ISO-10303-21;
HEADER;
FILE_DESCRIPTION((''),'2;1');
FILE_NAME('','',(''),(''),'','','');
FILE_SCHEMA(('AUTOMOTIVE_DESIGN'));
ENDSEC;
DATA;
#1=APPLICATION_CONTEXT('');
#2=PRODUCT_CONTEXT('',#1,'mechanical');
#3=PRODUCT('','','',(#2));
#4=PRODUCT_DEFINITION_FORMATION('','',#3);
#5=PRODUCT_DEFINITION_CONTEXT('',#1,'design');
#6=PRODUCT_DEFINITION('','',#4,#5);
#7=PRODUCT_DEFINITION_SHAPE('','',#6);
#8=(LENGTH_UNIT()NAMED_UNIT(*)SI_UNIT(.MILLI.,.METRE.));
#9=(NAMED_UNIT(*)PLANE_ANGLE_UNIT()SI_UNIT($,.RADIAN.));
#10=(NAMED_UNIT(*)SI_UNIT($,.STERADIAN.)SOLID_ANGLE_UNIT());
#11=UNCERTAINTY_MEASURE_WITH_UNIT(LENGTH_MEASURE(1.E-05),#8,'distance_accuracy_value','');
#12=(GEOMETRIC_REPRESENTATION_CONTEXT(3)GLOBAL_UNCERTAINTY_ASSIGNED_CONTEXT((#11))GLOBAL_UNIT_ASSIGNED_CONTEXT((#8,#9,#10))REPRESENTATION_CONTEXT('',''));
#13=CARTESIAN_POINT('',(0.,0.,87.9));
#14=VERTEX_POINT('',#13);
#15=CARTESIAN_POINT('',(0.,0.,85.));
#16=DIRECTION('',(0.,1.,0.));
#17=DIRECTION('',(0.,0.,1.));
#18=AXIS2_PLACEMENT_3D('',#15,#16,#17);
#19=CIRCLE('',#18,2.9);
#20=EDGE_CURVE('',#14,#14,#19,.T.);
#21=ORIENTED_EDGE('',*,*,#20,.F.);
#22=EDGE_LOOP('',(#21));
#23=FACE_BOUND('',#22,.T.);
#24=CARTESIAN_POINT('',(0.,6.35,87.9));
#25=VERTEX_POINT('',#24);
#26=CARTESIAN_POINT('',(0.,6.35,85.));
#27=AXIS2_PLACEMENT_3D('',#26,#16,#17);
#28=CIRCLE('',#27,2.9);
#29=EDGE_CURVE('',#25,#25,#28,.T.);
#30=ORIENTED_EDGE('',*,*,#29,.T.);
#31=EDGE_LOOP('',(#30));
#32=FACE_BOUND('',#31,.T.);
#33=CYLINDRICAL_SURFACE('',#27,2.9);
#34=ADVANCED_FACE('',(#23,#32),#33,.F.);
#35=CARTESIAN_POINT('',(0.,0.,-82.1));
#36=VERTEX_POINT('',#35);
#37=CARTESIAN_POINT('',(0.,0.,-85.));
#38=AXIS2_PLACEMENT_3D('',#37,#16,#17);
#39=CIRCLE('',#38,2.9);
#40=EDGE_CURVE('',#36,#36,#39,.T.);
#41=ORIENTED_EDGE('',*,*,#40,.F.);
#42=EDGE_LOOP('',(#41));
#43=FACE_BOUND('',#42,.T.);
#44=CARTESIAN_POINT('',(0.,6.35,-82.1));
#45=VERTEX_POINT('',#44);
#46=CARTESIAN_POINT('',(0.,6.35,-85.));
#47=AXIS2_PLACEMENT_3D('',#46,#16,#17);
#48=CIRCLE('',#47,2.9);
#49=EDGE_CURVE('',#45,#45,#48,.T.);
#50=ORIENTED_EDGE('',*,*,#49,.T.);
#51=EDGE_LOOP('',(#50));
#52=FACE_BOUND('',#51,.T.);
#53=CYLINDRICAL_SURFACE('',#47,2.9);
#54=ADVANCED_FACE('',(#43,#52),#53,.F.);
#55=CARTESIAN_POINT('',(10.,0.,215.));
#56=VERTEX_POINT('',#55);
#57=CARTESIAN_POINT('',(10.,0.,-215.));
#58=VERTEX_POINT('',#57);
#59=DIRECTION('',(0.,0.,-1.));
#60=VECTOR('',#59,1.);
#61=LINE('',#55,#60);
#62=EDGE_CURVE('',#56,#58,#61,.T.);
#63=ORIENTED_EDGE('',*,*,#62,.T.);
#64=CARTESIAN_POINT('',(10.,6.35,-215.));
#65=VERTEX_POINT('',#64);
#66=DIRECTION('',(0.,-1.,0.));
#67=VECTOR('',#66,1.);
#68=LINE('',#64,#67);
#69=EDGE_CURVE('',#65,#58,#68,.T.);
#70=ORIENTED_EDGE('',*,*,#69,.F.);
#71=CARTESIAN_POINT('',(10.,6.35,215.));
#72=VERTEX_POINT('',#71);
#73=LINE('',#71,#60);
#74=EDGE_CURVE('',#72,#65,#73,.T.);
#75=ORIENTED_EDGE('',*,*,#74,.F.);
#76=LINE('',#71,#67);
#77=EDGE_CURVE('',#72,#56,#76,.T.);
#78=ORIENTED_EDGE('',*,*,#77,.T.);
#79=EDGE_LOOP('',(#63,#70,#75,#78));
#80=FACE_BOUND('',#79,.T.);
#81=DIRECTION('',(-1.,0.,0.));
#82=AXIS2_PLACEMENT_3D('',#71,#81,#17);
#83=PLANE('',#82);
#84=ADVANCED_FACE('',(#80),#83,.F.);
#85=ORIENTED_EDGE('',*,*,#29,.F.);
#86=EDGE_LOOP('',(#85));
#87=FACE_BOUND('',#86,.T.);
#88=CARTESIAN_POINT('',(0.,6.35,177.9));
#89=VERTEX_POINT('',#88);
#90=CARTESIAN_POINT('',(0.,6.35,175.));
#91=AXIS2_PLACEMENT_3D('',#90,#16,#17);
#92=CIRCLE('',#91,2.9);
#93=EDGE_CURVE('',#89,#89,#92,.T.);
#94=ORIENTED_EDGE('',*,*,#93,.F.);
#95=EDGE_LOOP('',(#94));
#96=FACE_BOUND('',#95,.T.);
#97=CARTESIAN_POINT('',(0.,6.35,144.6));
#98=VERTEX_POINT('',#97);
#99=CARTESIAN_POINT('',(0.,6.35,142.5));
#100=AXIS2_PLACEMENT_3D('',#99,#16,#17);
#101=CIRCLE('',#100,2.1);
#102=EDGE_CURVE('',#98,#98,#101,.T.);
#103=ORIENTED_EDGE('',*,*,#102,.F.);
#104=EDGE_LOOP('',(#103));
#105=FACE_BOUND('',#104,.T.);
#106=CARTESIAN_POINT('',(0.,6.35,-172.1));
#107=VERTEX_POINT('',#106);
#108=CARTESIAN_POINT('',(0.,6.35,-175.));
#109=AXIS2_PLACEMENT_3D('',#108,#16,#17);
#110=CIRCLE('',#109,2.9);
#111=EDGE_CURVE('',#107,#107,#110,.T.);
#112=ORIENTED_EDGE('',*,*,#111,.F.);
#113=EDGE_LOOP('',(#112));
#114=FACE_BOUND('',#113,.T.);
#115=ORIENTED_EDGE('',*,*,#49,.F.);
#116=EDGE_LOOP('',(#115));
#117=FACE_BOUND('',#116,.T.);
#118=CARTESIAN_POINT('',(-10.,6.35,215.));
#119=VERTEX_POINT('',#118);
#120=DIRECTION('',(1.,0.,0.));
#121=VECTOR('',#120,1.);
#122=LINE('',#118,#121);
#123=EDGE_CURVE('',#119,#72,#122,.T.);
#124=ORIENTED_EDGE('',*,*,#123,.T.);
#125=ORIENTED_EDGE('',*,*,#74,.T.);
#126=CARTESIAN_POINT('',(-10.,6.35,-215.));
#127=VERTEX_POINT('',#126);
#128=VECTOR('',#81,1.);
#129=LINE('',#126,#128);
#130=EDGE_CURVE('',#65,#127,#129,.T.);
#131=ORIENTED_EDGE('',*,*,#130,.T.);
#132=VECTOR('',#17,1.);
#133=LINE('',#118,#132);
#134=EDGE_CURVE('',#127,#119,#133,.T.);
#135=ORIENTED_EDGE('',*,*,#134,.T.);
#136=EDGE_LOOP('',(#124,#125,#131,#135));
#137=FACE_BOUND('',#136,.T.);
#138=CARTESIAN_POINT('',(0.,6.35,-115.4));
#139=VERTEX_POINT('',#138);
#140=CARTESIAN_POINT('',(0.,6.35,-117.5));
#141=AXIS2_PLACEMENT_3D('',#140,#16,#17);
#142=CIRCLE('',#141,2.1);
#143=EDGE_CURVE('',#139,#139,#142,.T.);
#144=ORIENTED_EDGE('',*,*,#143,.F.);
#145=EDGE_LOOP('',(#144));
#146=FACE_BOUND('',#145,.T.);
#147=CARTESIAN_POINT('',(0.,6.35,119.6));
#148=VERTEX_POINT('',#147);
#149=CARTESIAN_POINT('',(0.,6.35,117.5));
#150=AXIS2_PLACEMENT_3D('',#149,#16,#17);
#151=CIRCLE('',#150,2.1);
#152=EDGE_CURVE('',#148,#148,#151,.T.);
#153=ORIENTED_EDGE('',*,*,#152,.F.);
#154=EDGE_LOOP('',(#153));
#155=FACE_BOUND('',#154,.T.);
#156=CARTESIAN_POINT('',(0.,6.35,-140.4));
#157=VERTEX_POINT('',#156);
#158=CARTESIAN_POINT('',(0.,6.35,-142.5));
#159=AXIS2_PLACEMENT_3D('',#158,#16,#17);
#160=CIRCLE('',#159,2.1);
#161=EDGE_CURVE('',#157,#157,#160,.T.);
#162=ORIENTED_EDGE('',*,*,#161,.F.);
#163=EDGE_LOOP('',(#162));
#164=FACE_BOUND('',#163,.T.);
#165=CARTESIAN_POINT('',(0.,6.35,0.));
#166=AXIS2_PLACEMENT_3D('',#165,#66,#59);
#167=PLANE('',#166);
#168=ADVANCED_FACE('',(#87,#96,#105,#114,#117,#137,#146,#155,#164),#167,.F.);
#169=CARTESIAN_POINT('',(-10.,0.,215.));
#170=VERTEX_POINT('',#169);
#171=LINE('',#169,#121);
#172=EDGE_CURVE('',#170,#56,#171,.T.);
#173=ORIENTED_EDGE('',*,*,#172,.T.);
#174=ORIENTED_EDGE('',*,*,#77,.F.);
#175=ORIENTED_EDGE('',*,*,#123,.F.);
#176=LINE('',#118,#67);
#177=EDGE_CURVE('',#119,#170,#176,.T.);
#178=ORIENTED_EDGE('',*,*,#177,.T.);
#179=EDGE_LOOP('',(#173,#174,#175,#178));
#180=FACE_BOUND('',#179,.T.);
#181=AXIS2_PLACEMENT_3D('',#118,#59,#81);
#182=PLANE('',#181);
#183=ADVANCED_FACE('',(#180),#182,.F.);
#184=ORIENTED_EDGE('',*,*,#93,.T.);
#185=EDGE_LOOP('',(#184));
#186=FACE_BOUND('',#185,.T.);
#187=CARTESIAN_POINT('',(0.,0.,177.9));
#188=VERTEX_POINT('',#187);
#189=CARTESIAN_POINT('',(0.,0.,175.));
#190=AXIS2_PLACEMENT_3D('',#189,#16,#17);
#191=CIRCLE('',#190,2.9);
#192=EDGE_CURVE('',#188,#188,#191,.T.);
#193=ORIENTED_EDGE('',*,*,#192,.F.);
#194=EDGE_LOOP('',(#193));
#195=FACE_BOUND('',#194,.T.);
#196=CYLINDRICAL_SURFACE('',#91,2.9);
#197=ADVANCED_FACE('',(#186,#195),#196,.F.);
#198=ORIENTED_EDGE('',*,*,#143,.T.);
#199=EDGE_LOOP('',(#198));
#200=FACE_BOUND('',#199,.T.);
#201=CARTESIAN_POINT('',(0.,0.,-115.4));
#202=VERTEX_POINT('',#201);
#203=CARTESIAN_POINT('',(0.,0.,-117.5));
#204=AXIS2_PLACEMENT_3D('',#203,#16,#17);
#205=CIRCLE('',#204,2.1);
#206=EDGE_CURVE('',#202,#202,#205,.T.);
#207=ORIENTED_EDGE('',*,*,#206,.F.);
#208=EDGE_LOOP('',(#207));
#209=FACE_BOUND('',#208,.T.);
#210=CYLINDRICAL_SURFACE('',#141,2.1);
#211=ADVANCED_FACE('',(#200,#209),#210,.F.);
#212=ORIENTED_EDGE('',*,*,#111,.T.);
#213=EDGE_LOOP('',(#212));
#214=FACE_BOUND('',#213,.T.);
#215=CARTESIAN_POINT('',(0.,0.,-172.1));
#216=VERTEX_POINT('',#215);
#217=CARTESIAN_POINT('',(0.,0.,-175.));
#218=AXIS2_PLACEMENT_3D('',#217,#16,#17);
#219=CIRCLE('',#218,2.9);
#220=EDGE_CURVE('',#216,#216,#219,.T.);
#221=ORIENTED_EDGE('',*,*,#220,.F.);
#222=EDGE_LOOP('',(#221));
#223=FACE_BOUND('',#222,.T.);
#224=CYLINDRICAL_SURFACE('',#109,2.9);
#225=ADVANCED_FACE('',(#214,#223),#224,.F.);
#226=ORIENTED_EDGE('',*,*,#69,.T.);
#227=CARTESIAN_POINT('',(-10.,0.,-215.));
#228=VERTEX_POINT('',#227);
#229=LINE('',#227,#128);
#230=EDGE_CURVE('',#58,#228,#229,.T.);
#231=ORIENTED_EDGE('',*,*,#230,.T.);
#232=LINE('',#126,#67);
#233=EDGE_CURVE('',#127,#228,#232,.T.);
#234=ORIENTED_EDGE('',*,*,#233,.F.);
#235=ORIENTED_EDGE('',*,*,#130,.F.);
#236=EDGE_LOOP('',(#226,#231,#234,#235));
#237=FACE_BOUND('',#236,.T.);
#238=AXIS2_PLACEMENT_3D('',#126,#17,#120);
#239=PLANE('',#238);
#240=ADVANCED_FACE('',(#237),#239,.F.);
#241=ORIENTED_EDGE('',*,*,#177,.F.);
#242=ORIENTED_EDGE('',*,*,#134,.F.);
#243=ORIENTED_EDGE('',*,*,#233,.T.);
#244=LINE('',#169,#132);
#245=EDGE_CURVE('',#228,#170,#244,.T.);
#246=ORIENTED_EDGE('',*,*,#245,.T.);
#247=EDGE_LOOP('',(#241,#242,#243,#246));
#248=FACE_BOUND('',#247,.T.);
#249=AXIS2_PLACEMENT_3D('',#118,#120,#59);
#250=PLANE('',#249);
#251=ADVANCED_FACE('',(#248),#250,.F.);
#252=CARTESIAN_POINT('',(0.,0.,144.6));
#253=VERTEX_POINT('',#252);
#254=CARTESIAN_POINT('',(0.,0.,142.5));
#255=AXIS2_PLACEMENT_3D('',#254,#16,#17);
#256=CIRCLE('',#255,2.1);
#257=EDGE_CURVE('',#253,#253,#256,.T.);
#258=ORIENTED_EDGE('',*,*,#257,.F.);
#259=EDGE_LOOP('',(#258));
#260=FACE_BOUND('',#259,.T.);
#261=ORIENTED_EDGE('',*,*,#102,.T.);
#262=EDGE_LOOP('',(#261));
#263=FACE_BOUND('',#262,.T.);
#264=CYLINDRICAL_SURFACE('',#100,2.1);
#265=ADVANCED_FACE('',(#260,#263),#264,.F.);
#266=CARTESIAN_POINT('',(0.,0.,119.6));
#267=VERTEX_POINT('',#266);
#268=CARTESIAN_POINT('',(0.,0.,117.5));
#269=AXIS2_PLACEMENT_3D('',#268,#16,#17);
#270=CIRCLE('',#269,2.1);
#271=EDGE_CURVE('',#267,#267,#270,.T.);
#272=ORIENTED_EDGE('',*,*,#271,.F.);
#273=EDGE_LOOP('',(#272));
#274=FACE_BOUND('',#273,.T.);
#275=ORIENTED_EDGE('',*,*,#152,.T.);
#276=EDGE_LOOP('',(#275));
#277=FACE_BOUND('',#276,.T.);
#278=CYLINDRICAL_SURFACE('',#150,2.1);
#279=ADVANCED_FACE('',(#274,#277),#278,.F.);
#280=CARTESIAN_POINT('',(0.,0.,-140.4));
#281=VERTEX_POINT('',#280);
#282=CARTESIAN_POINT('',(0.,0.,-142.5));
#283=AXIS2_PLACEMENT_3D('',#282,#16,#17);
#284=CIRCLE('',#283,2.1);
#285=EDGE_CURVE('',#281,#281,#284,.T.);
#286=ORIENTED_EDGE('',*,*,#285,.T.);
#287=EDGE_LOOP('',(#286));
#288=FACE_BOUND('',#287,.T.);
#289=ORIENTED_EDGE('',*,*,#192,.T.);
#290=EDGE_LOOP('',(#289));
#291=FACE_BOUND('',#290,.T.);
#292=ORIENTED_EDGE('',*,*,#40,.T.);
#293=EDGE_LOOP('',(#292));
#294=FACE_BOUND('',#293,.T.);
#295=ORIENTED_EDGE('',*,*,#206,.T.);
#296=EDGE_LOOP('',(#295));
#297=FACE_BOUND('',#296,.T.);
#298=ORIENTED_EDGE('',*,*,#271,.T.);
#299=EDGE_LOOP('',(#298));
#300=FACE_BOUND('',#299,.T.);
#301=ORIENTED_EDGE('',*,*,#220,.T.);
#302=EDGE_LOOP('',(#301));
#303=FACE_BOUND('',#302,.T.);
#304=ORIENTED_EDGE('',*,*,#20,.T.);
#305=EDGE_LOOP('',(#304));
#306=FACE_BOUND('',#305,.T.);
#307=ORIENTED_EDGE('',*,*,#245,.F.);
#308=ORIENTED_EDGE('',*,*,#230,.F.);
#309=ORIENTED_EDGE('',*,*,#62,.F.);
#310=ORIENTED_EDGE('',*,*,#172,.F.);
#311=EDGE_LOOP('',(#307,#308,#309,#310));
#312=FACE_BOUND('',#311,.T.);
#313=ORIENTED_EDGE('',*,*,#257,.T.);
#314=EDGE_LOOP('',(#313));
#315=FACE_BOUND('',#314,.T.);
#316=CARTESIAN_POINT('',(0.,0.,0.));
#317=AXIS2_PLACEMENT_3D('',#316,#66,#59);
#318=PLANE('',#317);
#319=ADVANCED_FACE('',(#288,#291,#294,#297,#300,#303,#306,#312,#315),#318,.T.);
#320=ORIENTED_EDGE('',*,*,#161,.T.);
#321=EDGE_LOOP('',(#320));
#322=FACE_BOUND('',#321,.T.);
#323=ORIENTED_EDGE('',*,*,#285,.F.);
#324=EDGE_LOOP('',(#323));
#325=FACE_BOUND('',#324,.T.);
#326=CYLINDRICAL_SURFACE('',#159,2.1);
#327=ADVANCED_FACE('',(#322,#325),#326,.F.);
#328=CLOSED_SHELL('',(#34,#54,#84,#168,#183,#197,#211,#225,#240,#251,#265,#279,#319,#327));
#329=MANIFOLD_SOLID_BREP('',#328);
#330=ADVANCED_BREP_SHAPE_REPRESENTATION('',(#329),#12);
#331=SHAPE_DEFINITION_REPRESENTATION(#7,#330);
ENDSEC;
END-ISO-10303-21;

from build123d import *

# Parameters (mm, degrees)
SKETCH1_W             = 20
SKETCH1_H             = 430
BOSS_EXTRUDE1_DEPTH   = 6.35
M5_CLEARANCE_HOLE1_D  = 5.8
M5X0_8_TAPPED_HOLE1_D = 4.2


with BuildPart() as part:
    # Sketch1 → Boss-Extrude1 (new body)
    with BuildSketch(Plane(origin=(0, 0, 0), x_dir=(1, 0, 0), z_dir=(0, 1, 0))):
        Rectangle(SKETCH1_W, SKETCH1_H)
    extrude(amount=BOSS_EXTRUDE1_DEPTH)

    # M5 Clearance Hole1 (through all)
    with Locations(Plane(origin=(0, 6.35, 0), x_dir=(1, 0, 0), z_dir=(0, 1, 0))):
        with Locations((0, -175), (0, -85)):
            m5_clearance_hole1 = Hole(M5_CLEARANCE_HOLE1_D / 2)

    # Mirror1: M5 Clearance Hole1 across plane
    add(m5_clearance_hole1.mirror(Plane.XY), mode=Mode.SUBTRACT)

    # M5x0.8 Tapped Hole1 (through all)
    with Locations(Plane(origin=(0, 6.35, 0), x_dir=(1, 0, 0), z_dir=(0, 1, 0))):
        with Locations((0, -142.5), (0, -117.5)):
            m5x0_8_tapped_hole1 = Hole(M5X0_8_TAPPED_HOLE1_D / 2)

    # Mirror2: M5x0.8 Tapped Hole1 across plane
    add(m5x0_8_tapped_hole1.mirror(Plane.XY), mode=Mode.SUBTRACT)


solid = part.part
